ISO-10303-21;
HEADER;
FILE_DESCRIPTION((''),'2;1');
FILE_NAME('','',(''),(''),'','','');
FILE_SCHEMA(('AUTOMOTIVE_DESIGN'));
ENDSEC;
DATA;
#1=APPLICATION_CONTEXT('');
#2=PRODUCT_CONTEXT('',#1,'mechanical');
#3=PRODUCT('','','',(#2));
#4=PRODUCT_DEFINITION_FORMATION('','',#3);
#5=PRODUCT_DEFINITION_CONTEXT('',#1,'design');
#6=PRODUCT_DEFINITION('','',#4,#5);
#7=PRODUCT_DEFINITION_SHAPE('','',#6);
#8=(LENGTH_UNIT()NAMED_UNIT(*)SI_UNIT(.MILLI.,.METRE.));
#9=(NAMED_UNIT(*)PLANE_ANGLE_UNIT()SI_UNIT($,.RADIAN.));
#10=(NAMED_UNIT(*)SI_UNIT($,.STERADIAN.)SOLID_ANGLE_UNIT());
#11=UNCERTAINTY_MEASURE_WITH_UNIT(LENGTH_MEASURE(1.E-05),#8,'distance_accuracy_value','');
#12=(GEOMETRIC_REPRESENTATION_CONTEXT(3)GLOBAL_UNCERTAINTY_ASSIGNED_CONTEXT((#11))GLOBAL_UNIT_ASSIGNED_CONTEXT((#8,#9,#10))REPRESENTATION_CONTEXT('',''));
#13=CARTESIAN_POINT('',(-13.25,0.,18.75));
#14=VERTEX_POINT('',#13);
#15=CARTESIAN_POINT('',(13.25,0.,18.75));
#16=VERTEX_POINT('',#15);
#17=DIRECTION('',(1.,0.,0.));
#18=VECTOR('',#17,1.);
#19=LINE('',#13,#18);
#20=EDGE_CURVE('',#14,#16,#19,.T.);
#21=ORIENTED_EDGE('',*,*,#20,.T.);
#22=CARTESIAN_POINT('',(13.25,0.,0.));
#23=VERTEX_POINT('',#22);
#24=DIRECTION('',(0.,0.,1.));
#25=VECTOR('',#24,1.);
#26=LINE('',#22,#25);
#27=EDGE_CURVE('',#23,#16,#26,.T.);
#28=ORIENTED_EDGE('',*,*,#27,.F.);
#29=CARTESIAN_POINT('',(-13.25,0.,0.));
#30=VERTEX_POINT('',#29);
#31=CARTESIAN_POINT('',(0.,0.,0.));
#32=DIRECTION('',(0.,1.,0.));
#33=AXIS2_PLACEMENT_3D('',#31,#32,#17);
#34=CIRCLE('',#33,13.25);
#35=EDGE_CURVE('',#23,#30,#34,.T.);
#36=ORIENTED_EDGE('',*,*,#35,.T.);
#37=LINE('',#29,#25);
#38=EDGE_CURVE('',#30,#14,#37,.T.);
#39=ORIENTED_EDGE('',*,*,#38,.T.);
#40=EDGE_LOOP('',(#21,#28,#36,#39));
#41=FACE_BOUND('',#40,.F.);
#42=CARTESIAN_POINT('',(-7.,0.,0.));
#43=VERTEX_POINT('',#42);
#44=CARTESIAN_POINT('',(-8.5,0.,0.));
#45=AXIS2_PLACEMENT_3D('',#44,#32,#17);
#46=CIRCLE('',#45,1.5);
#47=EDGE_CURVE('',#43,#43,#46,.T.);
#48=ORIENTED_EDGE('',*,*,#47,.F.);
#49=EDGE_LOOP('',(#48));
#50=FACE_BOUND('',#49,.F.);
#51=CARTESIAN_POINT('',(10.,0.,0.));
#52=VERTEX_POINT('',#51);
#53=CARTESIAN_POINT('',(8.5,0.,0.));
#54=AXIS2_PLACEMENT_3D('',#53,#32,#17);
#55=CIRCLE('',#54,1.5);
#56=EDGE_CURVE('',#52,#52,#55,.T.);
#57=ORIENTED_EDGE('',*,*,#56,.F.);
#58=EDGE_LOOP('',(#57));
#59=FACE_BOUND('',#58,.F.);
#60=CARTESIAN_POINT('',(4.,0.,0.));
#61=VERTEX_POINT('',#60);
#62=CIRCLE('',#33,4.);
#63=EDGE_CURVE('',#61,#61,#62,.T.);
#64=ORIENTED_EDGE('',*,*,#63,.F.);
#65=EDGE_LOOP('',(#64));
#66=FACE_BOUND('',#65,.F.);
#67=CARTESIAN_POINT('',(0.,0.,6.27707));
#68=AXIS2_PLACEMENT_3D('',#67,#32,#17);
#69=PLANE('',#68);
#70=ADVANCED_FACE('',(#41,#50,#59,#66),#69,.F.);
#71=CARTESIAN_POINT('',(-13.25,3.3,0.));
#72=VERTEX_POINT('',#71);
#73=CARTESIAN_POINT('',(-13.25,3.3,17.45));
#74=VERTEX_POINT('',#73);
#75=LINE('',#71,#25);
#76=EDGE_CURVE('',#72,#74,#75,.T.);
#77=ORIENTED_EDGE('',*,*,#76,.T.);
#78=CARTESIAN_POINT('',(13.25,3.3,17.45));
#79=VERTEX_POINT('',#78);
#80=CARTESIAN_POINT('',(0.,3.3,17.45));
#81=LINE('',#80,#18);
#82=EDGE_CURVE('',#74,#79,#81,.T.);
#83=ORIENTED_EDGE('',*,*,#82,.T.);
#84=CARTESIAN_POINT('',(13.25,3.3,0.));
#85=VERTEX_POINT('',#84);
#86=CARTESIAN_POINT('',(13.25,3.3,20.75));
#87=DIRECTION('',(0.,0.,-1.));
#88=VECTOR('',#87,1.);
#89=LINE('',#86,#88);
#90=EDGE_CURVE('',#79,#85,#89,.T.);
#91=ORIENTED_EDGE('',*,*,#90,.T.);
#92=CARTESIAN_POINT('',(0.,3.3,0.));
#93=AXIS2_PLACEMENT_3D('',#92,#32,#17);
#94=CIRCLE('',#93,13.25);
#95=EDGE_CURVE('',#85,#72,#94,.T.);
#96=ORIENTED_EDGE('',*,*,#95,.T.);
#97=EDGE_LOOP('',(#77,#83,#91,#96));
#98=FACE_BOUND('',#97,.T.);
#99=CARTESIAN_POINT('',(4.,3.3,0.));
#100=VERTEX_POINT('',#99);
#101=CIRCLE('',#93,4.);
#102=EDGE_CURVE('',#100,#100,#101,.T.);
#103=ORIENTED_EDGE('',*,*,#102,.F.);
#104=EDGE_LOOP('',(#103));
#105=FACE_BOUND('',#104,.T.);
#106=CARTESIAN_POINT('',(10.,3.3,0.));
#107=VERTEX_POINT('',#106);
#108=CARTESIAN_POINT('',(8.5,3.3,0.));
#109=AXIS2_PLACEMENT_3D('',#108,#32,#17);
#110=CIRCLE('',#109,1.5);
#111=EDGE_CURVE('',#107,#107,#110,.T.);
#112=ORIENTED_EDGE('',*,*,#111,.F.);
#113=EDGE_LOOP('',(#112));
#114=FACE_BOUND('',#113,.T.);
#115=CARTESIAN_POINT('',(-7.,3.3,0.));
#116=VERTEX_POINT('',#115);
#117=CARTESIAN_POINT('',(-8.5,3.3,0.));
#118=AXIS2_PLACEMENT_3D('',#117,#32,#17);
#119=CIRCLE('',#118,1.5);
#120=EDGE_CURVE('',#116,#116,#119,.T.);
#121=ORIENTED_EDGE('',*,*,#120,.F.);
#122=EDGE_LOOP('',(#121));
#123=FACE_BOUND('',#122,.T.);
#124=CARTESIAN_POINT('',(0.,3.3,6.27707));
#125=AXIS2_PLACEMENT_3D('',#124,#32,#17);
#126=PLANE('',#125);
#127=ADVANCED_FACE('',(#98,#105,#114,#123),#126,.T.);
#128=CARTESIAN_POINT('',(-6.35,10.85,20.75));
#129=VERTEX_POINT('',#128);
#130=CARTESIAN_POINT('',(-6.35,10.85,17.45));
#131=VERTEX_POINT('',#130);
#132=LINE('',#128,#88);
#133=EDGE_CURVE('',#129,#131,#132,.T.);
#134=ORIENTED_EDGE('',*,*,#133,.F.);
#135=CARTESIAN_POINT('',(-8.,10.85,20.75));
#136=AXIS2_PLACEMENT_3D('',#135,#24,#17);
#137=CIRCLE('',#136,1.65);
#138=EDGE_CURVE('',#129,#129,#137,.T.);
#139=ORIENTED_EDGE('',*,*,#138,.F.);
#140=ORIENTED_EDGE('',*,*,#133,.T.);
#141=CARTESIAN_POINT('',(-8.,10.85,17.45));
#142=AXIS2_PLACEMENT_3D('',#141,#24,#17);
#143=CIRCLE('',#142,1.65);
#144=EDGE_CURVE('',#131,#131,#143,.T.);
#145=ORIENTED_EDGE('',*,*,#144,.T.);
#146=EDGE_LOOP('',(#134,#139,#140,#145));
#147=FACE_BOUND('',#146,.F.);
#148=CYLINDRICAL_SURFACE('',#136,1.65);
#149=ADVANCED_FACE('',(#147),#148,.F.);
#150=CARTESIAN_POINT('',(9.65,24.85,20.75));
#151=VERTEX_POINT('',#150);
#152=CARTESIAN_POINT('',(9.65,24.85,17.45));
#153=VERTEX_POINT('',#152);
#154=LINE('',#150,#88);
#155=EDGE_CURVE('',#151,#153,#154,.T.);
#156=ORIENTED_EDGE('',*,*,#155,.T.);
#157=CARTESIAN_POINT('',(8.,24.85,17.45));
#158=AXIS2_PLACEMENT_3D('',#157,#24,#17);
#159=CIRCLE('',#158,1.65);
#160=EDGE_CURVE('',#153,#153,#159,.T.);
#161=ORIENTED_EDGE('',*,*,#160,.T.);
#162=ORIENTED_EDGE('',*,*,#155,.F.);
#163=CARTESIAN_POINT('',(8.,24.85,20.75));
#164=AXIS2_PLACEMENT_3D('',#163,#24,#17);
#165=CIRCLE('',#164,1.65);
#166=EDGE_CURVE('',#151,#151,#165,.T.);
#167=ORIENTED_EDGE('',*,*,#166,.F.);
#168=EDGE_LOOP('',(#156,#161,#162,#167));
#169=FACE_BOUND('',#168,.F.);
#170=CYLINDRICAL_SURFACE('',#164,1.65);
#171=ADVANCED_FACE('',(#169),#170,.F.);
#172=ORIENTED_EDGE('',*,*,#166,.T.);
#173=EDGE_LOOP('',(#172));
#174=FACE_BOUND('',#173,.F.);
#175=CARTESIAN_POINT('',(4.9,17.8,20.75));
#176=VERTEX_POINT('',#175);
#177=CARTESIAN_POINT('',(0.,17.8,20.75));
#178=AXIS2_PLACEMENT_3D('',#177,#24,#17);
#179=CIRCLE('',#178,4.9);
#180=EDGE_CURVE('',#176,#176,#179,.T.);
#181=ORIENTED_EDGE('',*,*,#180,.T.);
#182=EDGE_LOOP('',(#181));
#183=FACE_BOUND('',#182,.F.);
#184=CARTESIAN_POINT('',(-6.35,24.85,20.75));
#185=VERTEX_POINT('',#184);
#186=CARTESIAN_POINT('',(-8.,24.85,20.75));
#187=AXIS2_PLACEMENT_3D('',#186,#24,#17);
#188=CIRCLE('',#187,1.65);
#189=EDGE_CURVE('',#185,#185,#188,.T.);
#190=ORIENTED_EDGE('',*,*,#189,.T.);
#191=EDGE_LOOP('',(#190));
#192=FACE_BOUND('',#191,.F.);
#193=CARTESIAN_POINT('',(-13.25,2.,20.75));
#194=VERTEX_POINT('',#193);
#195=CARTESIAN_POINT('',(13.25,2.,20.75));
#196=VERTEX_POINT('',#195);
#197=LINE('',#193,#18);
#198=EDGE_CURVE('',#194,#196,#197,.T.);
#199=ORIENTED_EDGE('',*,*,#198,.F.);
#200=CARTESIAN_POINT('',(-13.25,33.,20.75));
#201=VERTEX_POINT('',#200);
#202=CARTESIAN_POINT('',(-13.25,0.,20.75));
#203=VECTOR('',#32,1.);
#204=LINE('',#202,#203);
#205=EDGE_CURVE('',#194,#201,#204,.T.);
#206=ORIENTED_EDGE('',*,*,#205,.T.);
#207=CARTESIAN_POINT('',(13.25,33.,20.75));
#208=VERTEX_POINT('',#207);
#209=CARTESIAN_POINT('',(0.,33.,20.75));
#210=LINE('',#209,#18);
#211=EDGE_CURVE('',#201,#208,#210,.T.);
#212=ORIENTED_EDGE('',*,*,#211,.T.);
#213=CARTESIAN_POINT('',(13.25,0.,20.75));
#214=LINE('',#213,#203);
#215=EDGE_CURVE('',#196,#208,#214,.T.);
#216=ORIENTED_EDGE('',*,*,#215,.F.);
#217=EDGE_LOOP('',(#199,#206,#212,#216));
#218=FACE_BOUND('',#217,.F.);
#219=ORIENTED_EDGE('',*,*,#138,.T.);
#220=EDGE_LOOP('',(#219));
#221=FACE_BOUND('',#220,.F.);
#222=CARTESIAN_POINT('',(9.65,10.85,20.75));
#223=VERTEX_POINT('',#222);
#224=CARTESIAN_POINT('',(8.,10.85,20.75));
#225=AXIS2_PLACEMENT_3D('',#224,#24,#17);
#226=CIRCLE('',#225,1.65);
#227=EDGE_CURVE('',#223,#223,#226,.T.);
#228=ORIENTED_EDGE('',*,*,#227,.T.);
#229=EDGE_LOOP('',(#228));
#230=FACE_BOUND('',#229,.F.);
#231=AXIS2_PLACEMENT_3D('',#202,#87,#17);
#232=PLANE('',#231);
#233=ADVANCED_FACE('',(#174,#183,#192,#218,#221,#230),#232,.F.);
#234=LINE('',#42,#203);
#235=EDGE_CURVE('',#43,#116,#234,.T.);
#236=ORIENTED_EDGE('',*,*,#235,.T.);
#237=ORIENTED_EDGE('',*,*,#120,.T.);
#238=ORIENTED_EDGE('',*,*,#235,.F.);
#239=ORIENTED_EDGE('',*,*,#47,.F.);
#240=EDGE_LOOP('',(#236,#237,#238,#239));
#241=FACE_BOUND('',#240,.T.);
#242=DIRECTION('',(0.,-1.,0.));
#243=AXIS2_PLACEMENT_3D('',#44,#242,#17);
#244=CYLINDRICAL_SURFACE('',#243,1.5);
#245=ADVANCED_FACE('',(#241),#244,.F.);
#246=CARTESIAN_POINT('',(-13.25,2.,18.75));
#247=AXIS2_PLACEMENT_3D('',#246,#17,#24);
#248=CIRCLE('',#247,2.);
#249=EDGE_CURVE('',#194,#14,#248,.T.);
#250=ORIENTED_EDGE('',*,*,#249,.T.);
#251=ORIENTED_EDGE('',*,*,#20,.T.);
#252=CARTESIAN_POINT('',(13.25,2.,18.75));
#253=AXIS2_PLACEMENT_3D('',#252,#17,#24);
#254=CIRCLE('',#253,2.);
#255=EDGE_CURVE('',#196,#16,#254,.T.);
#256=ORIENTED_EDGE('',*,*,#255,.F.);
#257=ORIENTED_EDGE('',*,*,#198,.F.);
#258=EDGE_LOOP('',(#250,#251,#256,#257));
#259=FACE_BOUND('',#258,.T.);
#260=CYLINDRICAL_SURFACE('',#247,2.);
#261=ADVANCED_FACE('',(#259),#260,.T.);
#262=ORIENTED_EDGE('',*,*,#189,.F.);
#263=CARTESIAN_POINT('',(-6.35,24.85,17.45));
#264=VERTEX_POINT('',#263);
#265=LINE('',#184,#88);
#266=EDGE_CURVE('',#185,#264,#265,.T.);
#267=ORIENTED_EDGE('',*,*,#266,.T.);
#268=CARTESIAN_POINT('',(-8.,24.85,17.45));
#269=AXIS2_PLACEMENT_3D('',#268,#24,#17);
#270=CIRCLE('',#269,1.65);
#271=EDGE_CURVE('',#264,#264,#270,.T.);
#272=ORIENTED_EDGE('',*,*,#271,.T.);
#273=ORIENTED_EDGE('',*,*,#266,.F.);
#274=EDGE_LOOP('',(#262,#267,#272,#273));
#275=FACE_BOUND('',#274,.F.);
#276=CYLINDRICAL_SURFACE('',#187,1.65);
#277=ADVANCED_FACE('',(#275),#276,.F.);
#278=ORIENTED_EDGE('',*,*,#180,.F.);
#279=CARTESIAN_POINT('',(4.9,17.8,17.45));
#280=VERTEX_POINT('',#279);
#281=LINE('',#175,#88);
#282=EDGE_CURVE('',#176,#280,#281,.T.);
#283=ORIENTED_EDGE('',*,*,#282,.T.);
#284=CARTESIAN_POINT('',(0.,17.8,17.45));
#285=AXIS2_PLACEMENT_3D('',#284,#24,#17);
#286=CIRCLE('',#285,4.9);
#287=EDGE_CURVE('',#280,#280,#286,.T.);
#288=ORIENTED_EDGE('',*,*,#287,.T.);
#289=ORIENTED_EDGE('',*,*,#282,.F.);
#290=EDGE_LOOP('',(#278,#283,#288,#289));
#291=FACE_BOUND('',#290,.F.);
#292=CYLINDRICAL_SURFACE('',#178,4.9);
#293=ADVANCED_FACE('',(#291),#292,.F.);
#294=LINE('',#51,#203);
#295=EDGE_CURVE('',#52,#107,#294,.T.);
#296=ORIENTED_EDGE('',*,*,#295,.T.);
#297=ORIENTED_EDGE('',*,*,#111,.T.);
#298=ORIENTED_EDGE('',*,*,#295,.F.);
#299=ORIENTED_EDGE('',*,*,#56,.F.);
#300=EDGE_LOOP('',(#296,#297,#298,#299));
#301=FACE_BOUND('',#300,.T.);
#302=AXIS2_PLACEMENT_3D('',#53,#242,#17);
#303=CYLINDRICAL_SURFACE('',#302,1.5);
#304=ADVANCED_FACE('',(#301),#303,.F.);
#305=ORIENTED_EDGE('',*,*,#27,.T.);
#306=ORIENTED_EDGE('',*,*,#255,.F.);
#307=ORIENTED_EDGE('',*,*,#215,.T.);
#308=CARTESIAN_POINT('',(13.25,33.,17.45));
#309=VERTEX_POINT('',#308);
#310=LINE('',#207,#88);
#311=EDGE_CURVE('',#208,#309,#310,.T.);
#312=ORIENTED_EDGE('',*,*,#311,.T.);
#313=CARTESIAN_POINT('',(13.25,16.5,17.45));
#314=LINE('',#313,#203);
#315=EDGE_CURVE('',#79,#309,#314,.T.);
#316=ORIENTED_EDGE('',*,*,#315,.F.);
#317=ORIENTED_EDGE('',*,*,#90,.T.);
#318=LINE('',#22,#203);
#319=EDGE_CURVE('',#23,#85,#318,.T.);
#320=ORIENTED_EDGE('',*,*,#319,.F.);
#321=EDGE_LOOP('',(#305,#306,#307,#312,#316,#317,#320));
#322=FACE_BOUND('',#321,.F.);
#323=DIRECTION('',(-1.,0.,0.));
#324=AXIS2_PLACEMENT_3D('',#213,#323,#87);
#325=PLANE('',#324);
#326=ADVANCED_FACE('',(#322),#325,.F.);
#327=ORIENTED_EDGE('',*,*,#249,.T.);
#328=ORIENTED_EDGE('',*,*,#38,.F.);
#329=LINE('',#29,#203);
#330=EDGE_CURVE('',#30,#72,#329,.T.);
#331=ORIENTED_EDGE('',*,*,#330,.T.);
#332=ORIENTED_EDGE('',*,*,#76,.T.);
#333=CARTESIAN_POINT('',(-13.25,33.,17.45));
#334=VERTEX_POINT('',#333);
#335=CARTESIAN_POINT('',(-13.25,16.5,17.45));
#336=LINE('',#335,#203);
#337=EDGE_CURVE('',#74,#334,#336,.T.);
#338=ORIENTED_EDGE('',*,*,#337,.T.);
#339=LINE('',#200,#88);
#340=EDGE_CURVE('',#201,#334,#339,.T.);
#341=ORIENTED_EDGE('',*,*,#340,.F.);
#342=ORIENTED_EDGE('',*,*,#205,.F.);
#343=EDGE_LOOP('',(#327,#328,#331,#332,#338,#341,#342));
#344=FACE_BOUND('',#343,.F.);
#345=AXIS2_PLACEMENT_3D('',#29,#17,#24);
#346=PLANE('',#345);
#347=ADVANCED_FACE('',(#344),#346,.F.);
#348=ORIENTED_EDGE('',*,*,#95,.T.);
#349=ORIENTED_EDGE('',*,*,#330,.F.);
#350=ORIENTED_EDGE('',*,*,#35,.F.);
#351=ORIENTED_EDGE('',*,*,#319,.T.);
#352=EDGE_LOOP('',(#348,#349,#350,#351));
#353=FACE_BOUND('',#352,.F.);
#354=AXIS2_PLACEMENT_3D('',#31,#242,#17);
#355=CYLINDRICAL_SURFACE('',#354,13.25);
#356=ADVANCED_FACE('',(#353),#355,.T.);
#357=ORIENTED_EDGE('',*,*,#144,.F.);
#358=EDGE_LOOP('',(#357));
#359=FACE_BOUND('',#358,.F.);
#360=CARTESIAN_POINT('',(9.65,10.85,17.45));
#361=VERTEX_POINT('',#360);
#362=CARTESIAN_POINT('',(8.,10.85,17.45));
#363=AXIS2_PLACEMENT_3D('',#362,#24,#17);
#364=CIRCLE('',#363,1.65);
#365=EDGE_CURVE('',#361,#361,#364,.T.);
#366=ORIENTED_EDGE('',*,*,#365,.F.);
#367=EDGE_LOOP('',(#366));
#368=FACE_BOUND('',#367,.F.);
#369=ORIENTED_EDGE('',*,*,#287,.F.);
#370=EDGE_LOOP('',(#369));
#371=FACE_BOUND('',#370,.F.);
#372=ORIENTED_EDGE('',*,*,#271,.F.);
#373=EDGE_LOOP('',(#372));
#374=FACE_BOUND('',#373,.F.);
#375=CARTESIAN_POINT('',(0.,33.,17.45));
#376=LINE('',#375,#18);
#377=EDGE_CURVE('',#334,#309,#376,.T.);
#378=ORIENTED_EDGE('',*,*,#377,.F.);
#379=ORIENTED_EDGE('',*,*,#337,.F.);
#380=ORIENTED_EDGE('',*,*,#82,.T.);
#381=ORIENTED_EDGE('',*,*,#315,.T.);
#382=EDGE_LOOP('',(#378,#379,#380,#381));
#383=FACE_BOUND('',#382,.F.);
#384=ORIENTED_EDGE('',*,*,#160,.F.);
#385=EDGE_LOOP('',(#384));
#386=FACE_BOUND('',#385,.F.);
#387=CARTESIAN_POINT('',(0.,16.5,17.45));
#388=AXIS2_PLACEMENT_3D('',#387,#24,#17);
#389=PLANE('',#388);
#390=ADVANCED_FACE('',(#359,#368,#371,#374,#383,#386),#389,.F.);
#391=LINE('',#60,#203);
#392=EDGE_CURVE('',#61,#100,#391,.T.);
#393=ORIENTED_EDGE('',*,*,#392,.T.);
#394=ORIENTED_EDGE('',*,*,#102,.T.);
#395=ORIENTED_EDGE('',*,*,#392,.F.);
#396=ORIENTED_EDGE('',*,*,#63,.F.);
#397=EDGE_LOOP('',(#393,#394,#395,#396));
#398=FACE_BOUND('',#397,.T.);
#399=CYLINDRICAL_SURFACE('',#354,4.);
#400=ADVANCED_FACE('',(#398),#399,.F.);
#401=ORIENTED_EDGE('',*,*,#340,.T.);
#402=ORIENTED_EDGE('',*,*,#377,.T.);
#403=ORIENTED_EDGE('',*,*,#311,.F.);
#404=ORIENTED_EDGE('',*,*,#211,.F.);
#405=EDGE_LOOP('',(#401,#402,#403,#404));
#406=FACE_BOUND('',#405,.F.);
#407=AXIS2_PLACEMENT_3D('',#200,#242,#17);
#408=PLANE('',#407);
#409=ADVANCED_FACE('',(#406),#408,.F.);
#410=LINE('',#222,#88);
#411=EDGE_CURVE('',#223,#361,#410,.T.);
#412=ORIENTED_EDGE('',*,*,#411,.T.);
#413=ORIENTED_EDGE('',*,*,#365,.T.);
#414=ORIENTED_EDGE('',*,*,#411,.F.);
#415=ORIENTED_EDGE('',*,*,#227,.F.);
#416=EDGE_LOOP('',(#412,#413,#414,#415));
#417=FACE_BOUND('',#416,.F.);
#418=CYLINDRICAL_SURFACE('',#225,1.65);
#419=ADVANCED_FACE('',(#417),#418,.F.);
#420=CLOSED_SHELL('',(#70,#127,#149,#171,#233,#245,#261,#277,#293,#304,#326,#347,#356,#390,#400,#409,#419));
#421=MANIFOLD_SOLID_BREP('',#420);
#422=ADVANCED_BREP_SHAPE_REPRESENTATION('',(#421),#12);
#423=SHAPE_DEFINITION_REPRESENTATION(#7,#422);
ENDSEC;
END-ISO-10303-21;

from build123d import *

# Parameters (mm, degrees)
BASE_FACE_R         = 4
BASE_FACE_R_2       = 1.5
BASE_DEPTH          = 3.3
SKETCH3_W           = 26.5
SKETCH3_H           = 33
SKETCH3_R           = 4.9
SKETCH3_R_2         = 1.65
BOSS_EXTRUDE2_DEPTH = 3.3
FILLET1_R           = 2


with BuildPart() as part:
    # Base Face → Base (new body)
    with BuildSketch(Plane(origin=(0, 0, 0), x_dir=(1, 0, 0), z_dir=(0, 1, 0))):
        with BuildLine():
            Line((-13.25, 0), (-13.25, -20.75))
            Line((-13.25, -20.75), (13.25, -20.75))
            Line((13.25, -20.75), (13.25, 0))
            ThreePointArc((13.25, 0), (0, 13.25), (-13.25, 0))
        make_face()
        Circle(BASE_FACE_R, mode=Mode.SUBTRACT)
        with Locations((-8.5, 0)):
            Circle(BASE_FACE_R_2, mode=Mode.SUBTRACT)
        with Locations((8.5, 0)):
            Circle(BASE_FACE_R_2, mode=Mode.SUBTRACT)
    extrude(amount=BASE_DEPTH)

    # Sketch3 → Boss-Extrude2 (add)
    with BuildSketch(Plane.XY.offset(20.75)):
        with Locations((0, 16.5)):
            Rectangle(SKETCH3_W, SKETCH3_H)
        with Locations((0, 17.8)):
            Circle(SKETCH3_R, mode=Mode.SUBTRACT)
        with Locations((8, 10.85)):
            Circle(SKETCH3_R_2, mode=Mode.SUBTRACT)
        with Locations((8, 24.85)):
            Circle(SKETCH3_R_2, mode=Mode.SUBTRACT)
        with Locations((-8, 10.85)):
            Circle(SKETCH3_R_2, mode=Mode.SUBTRACT)
        with Locations((-8, 24.85)):
            Circle(SKETCH3_R_2, mode=Mode.SUBTRACT)
    extrude(amount=-BOSS_EXTRUDE2_DEPTH)

    # Fillet1
    fillet1_edges = [part.edges().sort_by_distance(p)[0] for p in [
        (0, 0, 20.75),
    ]]
    fillet(fillet1_edges, radius=FILLET1_R)


solid = part.part
